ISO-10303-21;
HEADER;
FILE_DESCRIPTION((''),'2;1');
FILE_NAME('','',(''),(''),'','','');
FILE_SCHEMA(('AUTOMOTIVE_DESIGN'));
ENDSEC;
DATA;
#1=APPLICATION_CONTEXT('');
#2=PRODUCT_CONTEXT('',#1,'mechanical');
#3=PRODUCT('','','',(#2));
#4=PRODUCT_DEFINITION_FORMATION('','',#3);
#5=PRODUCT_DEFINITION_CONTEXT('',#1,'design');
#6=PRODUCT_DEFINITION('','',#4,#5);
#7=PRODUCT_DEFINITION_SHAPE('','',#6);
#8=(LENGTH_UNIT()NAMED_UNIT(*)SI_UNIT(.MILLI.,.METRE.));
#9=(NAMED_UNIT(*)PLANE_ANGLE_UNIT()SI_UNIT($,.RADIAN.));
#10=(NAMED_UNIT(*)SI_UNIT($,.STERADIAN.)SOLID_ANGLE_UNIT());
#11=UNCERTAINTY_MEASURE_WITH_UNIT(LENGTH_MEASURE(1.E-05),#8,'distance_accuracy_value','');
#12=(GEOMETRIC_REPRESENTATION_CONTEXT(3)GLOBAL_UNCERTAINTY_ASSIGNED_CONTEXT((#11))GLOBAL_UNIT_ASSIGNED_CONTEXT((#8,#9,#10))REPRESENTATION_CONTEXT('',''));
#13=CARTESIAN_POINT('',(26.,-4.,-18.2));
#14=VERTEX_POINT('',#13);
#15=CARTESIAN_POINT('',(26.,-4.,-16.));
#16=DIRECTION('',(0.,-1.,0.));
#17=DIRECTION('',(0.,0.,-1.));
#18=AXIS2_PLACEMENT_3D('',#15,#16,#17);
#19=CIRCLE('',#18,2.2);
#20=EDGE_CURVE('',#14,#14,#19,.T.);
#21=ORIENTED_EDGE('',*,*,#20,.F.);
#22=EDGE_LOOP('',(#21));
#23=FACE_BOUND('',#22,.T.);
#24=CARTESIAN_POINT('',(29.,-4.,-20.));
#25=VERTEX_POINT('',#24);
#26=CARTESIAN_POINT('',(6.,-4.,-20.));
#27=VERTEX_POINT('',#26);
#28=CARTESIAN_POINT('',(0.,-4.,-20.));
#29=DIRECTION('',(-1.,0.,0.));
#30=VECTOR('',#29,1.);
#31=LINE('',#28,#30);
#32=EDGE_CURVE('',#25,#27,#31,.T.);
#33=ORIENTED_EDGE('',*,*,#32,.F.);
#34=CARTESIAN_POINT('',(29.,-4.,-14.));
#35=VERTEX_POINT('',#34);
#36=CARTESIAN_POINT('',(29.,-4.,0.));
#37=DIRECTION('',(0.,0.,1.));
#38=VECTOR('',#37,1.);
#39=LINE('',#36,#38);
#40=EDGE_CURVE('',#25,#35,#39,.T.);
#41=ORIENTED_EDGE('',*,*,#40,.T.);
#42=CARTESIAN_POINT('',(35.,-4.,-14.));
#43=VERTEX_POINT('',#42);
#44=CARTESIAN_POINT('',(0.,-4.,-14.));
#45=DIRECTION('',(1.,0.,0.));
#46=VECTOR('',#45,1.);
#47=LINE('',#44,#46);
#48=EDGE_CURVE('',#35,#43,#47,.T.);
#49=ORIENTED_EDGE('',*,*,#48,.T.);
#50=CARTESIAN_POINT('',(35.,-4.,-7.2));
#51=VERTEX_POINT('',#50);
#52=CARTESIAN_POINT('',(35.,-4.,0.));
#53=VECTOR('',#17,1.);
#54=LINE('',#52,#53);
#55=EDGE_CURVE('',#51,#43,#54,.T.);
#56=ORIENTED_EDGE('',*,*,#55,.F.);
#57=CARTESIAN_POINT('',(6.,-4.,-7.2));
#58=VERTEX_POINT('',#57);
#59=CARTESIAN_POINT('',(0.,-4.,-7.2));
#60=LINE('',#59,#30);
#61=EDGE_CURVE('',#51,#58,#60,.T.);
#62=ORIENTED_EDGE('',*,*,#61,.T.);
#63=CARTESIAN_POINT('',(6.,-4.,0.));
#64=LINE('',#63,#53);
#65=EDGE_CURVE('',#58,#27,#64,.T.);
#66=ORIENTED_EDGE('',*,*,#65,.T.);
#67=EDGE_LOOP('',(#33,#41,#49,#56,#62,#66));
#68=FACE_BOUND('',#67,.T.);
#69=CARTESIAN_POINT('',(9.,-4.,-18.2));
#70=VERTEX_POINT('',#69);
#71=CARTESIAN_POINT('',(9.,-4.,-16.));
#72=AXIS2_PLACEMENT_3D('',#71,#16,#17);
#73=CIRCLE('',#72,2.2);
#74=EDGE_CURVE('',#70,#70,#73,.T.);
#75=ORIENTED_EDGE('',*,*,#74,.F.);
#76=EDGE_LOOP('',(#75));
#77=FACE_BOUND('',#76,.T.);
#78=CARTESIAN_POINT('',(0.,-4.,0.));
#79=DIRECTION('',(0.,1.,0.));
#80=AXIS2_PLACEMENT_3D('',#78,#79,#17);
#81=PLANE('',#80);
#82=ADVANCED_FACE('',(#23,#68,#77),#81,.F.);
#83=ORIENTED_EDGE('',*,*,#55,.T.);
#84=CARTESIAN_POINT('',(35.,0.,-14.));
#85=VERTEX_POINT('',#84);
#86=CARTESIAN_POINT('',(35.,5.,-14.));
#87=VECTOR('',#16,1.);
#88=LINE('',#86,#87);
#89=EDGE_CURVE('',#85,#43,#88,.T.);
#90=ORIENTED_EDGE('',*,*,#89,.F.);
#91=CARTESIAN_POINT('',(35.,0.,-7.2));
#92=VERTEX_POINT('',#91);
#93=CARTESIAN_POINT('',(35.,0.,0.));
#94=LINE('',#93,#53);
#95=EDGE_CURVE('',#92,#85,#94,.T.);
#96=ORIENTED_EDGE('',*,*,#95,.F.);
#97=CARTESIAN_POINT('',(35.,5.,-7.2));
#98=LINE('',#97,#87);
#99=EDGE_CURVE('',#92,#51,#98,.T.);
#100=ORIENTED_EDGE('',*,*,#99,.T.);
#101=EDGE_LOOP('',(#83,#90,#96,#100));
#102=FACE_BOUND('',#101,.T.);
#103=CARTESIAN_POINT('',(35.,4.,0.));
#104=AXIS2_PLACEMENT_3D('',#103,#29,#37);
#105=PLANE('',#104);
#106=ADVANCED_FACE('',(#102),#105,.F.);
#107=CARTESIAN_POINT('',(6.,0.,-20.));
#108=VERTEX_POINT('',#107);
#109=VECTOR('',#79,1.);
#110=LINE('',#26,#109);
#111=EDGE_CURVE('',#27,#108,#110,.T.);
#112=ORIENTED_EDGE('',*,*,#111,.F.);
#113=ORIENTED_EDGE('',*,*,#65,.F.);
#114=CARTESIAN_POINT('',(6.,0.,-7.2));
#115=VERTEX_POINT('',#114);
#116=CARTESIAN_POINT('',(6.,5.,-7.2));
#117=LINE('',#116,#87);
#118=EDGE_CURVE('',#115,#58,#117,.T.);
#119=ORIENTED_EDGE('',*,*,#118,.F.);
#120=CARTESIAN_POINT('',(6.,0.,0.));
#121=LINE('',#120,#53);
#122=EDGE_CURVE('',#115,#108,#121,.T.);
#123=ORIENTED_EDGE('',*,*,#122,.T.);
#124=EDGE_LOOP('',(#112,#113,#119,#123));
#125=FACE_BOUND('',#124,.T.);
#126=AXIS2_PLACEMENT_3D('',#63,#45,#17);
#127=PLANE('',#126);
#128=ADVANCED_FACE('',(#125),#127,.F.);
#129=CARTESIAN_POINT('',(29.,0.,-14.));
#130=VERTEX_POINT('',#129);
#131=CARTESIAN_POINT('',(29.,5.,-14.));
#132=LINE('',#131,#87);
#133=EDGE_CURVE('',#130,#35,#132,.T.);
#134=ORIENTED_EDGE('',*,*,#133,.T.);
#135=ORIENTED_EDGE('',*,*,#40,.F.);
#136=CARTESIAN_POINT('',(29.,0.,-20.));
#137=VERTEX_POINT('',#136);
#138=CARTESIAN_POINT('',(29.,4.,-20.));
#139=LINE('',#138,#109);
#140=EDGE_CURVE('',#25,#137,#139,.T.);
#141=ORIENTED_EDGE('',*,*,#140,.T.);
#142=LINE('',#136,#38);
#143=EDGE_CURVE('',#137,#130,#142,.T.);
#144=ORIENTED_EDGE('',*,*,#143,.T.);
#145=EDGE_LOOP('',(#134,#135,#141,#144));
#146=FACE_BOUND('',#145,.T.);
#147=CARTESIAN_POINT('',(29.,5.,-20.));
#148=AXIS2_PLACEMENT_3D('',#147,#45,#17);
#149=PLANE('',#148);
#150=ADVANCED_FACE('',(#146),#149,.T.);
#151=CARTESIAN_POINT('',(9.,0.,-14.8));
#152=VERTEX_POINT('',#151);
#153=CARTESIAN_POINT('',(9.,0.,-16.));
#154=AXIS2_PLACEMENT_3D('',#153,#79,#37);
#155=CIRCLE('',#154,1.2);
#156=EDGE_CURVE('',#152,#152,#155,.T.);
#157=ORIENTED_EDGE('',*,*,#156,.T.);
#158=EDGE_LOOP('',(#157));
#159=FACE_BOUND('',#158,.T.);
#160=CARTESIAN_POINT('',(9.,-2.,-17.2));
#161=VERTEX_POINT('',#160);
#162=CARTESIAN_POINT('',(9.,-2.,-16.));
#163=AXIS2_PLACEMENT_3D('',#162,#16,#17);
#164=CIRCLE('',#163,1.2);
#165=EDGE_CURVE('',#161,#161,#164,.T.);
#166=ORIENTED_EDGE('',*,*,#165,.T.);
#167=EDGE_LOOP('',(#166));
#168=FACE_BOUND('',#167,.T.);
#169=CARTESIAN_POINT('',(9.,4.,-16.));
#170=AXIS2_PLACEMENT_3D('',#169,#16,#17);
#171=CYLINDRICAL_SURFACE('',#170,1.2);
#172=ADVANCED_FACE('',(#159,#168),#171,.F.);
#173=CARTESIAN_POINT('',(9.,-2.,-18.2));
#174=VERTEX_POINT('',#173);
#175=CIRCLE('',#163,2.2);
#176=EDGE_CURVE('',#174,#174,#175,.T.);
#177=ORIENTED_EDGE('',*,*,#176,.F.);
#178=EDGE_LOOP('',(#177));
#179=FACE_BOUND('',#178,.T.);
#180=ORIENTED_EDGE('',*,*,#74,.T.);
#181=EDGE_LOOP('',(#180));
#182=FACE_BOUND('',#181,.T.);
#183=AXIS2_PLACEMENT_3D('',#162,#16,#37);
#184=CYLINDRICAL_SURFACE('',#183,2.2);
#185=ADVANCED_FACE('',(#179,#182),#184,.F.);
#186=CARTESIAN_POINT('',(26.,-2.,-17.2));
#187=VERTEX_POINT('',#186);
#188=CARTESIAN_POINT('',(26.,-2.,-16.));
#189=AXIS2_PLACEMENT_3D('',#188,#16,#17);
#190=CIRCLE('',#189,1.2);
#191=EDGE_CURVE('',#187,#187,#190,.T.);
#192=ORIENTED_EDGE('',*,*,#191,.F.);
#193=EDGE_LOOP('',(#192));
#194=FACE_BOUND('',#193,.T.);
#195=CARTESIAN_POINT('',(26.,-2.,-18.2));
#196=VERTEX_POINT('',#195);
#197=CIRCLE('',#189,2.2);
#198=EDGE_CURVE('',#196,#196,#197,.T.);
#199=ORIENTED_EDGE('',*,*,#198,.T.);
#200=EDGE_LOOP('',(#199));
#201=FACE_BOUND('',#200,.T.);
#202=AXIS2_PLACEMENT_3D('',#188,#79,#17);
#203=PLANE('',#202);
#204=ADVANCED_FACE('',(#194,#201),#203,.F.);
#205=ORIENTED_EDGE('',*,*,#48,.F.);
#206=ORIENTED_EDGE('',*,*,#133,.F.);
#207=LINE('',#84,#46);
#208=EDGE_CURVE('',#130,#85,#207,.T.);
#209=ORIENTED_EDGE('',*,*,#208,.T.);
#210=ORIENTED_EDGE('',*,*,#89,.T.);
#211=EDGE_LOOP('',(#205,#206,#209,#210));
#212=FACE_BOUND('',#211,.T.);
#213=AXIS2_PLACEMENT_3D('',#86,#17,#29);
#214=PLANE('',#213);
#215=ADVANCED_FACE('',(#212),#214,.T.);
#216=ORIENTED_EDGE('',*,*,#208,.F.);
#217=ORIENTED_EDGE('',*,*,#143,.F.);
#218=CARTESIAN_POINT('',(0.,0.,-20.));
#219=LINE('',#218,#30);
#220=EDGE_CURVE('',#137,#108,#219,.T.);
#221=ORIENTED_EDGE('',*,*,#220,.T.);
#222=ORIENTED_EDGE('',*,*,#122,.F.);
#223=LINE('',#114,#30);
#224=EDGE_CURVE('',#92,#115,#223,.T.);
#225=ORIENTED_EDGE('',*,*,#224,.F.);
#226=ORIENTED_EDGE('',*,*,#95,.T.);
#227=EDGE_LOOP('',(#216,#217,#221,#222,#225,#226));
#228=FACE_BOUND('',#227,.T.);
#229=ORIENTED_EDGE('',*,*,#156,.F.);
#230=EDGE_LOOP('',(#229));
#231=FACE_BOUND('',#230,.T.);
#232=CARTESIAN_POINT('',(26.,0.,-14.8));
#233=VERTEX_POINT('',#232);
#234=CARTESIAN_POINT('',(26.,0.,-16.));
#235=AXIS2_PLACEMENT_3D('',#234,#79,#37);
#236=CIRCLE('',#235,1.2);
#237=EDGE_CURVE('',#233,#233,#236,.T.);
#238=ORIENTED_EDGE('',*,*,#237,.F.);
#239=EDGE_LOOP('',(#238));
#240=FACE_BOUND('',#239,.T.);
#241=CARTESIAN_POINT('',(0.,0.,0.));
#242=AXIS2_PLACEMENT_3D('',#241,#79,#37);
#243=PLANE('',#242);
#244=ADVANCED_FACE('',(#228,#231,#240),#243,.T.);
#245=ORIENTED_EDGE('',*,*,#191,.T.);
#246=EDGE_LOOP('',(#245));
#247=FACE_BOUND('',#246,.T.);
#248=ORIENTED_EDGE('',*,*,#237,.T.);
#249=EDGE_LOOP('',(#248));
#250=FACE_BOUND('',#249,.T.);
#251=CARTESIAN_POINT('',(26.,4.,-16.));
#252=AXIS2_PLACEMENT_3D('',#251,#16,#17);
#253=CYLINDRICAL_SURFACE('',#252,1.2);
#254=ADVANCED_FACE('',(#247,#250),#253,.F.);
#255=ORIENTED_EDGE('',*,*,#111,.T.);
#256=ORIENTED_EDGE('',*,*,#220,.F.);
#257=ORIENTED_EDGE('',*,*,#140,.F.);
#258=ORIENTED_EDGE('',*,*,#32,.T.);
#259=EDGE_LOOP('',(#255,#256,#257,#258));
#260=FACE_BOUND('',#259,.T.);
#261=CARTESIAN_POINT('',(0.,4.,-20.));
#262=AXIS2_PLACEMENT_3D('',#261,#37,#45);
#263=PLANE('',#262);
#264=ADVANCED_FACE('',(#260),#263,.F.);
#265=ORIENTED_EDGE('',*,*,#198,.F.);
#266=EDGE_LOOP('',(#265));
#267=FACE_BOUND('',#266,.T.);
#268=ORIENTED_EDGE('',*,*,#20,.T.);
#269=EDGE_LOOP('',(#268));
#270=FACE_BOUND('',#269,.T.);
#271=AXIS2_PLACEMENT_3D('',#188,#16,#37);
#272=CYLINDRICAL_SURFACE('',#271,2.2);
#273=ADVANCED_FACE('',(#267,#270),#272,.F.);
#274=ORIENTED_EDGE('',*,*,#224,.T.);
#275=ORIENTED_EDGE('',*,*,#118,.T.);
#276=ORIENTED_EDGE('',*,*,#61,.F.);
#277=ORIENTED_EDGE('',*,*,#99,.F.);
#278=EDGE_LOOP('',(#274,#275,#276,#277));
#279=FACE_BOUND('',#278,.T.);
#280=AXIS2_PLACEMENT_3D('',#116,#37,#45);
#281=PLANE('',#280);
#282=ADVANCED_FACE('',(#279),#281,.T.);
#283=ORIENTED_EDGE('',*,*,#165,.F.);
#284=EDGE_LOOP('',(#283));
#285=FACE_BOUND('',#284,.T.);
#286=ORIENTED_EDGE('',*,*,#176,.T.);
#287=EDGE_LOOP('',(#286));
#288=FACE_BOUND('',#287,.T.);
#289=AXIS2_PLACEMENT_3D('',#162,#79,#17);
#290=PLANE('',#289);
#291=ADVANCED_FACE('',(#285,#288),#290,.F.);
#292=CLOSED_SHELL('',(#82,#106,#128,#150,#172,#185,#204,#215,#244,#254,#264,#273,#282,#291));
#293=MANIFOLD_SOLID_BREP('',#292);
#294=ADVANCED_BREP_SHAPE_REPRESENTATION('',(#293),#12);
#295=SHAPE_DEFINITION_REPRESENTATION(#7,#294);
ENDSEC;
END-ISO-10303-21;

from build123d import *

# Parameters (mm, degrees)
SKETCH_1_W           = 35
SKETCH_1_H           = 20
EXTRUDE_1_DEPTH      = 4
SKETCH_3_W           = 29
SKETCH_3_H           = 7.2
CUT_EXTRUDE_4_DEPTH  = 5
SKETCH_4_W           = 6
SKETCH_4_H           = 6
CUT_EXTRUDE_5_DEPTH  = 5
SKETCH_5_R           = 1.2
CUT_EXTRUDE_6_DEPTH  = 41.509258201
SKETCH_6_R           = 2.2
CUT_EXTRUDE_7_DEPTH  = 2
CUT_EXTRUDE_START    = 4
SKETCH_7_R           = 2.2
CUT_EXTRUDE_8_DEPTH  = 2
SKETCH_8_W           = 40.267995894
SKETCH_8_H           = 24.754572762
CUT_EXTRUDE_9_DEPTH  = 41.509258201
SKETCH_11_W          = 6
SKETCH_11_H          = 20
CUT_EXTRUDE_11_DEPTH = 41.509258201


with BuildPart() as part:
    # 草圖1 → 填料-伸長1 (new body)
    with BuildSketch(Plane(origin=(0, 0, 0), x_dir=(1, 0, 0), z_dir=(0, 1, 0))):
        with Locations((17.5, 10)):
            Rectangle(SKETCH_1_W, SKETCH_1_H)
    extrude_1 = extrude(amount=EXTRUDE_1_DEPTH)

    # 草圖3 → 除料-伸長4 (cut)
    with BuildSketch(Plane(origin=(0, 0, 0), x_dir=(1, 0, 0), z_dir=(0, 1, 0))):
        with Locations((20.5, 3.6)):
            Rectangle(SKETCH_3_W, SKETCH_3_H)
    cut_extrude_4 = extrude(amount=CUT_EXTRUDE_4_DEPTH, mode=Mode.SUBTRACT)

    # 草圖4 → 除料-伸長5 (cut)
    with BuildSketch(Plane(origin=(0, 0, 0), x_dir=(1, 0, 0), z_dir=(0, 1, 0))):
        with Locations((32, 17)):
            Rectangle(SKETCH_4_W, SKETCH_4_H)
    cut_extrude_5 = extrude(amount=CUT_EXTRUDE_5_DEPTH, mode=Mode.SUBTRACT)

    # 草圖5 → 除料-伸長6 (cut, through all)
    with BuildSketch(Plane(origin=(0, 0, 0), x_dir=(1, 0, 0), z_dir=(0, 1, 0))):
        with Locations(Location((3, 16, 0), (0, 0, 270))):
            Circle(SKETCH_5_R)
        with Locations(Location((3, 4, 0), (0, 0, 270))):
            Circle(SKETCH_5_R)
        with Locations(Location((9, 16, 0), (0, 0, 270))):
            Circle(SKETCH_5_R)
        with Locations(Location((26, 16, 0), (0, 0, 270))):
            Circle(SKETCH_5_R)
    cut_extrude_6 = extrude(amount=CUT_EXTRUDE_6_DEPTH, mode=Mode.SUBTRACT)

    # 草圖6 → 除料-伸長7 (cut)
    with BuildSketch(Plane(origin=(0, 0, 0), x_dir=(1, 0, 0), z_dir=(0, 1, 0))):
        with Locations(Location((3, 16, 0), (0, 0, 270))):
            Circle(SKETCH_6_R)
        with Locations(Location((3, 4, 0), (0, 0, 270))):
            Circle(SKETCH_6_R)
    cut_extrude_7 = extrude(amount=CUT_EXTRUDE_7_DEPTH, mode=Mode.SUBTRACT)

    # 草圖7 → 除料-伸長8 (cut)
    with BuildSketch(Plane(origin=(0, 0, 0), x_dir=(1, 0, 0), z_dir=(0, 1, 0)).offset(CUT_EXTRUDE_START)):
        with Locations(Location((9, 16, 0), (0, 0, 90))):
            Circle(SKETCH_7_R)
        with Locations(Location((26, 16, 0), (0, 0, 90))):
            Circle(SKETCH_7_R)
    cut_extrude_8 = extrude(amount=-CUT_EXTRUDE_8_DEPTH, mode=Mode.SUBTRACT)

    # 鏡射1: 填料-伸長1, 除料-伸長4, 除料-伸長5, 除料-伸長6, 除料-伸長7, 除料-伸長8 across plane
    add(extrude_1.mirror(Plane.ZX))
    add(cut_extrude_4.mirror(Plane.ZX), mode=Mode.SUBTRACT)
    add(cut_extrude_5.mirror(Plane.ZX), mode=Mode.SUBTRACT)
    add(cut_extrude_6.mirror(Plane.ZX), mode=Mode.SUBTRACT)
    add(cut_extrude_7.mirror(Plane.ZX), mode=Mode.SUBTRACT)
    add(cut_extrude_8.mirror(Plane.ZX), mode=Mode.SUBTRACT)

    # 草圖8 → 除料-伸長9 (cut, through all)
    with BuildSketch(Plane(origin=(0, 0, 0), x_dir=(1, 0, 0), z_dir=(0, 1, 0))):
        with Locations((18.825302285, 8.624835494)):
            Rectangle(SKETCH_8_W, SKETCH_8_H)
    extrude(amount=CUT_EXTRUDE_9_DEPTH, mode=Mode.SUBTRACT)

    # 草圖11 → 除料-伸長11 (cut, through all)
    with BuildSketch(Plane(origin=(0, 0, 0), x_dir=(1, 0, 0), z_dir=(0, 1, 0))):
        with Locations((3, 10)):
            Rectangle(SKETCH_11_W, SKETCH_11_H)
    extrude(amount=-CUT_EXTRUDE_11_DEPTH, mode=Mode.SUBTRACT)


solid = part.part
